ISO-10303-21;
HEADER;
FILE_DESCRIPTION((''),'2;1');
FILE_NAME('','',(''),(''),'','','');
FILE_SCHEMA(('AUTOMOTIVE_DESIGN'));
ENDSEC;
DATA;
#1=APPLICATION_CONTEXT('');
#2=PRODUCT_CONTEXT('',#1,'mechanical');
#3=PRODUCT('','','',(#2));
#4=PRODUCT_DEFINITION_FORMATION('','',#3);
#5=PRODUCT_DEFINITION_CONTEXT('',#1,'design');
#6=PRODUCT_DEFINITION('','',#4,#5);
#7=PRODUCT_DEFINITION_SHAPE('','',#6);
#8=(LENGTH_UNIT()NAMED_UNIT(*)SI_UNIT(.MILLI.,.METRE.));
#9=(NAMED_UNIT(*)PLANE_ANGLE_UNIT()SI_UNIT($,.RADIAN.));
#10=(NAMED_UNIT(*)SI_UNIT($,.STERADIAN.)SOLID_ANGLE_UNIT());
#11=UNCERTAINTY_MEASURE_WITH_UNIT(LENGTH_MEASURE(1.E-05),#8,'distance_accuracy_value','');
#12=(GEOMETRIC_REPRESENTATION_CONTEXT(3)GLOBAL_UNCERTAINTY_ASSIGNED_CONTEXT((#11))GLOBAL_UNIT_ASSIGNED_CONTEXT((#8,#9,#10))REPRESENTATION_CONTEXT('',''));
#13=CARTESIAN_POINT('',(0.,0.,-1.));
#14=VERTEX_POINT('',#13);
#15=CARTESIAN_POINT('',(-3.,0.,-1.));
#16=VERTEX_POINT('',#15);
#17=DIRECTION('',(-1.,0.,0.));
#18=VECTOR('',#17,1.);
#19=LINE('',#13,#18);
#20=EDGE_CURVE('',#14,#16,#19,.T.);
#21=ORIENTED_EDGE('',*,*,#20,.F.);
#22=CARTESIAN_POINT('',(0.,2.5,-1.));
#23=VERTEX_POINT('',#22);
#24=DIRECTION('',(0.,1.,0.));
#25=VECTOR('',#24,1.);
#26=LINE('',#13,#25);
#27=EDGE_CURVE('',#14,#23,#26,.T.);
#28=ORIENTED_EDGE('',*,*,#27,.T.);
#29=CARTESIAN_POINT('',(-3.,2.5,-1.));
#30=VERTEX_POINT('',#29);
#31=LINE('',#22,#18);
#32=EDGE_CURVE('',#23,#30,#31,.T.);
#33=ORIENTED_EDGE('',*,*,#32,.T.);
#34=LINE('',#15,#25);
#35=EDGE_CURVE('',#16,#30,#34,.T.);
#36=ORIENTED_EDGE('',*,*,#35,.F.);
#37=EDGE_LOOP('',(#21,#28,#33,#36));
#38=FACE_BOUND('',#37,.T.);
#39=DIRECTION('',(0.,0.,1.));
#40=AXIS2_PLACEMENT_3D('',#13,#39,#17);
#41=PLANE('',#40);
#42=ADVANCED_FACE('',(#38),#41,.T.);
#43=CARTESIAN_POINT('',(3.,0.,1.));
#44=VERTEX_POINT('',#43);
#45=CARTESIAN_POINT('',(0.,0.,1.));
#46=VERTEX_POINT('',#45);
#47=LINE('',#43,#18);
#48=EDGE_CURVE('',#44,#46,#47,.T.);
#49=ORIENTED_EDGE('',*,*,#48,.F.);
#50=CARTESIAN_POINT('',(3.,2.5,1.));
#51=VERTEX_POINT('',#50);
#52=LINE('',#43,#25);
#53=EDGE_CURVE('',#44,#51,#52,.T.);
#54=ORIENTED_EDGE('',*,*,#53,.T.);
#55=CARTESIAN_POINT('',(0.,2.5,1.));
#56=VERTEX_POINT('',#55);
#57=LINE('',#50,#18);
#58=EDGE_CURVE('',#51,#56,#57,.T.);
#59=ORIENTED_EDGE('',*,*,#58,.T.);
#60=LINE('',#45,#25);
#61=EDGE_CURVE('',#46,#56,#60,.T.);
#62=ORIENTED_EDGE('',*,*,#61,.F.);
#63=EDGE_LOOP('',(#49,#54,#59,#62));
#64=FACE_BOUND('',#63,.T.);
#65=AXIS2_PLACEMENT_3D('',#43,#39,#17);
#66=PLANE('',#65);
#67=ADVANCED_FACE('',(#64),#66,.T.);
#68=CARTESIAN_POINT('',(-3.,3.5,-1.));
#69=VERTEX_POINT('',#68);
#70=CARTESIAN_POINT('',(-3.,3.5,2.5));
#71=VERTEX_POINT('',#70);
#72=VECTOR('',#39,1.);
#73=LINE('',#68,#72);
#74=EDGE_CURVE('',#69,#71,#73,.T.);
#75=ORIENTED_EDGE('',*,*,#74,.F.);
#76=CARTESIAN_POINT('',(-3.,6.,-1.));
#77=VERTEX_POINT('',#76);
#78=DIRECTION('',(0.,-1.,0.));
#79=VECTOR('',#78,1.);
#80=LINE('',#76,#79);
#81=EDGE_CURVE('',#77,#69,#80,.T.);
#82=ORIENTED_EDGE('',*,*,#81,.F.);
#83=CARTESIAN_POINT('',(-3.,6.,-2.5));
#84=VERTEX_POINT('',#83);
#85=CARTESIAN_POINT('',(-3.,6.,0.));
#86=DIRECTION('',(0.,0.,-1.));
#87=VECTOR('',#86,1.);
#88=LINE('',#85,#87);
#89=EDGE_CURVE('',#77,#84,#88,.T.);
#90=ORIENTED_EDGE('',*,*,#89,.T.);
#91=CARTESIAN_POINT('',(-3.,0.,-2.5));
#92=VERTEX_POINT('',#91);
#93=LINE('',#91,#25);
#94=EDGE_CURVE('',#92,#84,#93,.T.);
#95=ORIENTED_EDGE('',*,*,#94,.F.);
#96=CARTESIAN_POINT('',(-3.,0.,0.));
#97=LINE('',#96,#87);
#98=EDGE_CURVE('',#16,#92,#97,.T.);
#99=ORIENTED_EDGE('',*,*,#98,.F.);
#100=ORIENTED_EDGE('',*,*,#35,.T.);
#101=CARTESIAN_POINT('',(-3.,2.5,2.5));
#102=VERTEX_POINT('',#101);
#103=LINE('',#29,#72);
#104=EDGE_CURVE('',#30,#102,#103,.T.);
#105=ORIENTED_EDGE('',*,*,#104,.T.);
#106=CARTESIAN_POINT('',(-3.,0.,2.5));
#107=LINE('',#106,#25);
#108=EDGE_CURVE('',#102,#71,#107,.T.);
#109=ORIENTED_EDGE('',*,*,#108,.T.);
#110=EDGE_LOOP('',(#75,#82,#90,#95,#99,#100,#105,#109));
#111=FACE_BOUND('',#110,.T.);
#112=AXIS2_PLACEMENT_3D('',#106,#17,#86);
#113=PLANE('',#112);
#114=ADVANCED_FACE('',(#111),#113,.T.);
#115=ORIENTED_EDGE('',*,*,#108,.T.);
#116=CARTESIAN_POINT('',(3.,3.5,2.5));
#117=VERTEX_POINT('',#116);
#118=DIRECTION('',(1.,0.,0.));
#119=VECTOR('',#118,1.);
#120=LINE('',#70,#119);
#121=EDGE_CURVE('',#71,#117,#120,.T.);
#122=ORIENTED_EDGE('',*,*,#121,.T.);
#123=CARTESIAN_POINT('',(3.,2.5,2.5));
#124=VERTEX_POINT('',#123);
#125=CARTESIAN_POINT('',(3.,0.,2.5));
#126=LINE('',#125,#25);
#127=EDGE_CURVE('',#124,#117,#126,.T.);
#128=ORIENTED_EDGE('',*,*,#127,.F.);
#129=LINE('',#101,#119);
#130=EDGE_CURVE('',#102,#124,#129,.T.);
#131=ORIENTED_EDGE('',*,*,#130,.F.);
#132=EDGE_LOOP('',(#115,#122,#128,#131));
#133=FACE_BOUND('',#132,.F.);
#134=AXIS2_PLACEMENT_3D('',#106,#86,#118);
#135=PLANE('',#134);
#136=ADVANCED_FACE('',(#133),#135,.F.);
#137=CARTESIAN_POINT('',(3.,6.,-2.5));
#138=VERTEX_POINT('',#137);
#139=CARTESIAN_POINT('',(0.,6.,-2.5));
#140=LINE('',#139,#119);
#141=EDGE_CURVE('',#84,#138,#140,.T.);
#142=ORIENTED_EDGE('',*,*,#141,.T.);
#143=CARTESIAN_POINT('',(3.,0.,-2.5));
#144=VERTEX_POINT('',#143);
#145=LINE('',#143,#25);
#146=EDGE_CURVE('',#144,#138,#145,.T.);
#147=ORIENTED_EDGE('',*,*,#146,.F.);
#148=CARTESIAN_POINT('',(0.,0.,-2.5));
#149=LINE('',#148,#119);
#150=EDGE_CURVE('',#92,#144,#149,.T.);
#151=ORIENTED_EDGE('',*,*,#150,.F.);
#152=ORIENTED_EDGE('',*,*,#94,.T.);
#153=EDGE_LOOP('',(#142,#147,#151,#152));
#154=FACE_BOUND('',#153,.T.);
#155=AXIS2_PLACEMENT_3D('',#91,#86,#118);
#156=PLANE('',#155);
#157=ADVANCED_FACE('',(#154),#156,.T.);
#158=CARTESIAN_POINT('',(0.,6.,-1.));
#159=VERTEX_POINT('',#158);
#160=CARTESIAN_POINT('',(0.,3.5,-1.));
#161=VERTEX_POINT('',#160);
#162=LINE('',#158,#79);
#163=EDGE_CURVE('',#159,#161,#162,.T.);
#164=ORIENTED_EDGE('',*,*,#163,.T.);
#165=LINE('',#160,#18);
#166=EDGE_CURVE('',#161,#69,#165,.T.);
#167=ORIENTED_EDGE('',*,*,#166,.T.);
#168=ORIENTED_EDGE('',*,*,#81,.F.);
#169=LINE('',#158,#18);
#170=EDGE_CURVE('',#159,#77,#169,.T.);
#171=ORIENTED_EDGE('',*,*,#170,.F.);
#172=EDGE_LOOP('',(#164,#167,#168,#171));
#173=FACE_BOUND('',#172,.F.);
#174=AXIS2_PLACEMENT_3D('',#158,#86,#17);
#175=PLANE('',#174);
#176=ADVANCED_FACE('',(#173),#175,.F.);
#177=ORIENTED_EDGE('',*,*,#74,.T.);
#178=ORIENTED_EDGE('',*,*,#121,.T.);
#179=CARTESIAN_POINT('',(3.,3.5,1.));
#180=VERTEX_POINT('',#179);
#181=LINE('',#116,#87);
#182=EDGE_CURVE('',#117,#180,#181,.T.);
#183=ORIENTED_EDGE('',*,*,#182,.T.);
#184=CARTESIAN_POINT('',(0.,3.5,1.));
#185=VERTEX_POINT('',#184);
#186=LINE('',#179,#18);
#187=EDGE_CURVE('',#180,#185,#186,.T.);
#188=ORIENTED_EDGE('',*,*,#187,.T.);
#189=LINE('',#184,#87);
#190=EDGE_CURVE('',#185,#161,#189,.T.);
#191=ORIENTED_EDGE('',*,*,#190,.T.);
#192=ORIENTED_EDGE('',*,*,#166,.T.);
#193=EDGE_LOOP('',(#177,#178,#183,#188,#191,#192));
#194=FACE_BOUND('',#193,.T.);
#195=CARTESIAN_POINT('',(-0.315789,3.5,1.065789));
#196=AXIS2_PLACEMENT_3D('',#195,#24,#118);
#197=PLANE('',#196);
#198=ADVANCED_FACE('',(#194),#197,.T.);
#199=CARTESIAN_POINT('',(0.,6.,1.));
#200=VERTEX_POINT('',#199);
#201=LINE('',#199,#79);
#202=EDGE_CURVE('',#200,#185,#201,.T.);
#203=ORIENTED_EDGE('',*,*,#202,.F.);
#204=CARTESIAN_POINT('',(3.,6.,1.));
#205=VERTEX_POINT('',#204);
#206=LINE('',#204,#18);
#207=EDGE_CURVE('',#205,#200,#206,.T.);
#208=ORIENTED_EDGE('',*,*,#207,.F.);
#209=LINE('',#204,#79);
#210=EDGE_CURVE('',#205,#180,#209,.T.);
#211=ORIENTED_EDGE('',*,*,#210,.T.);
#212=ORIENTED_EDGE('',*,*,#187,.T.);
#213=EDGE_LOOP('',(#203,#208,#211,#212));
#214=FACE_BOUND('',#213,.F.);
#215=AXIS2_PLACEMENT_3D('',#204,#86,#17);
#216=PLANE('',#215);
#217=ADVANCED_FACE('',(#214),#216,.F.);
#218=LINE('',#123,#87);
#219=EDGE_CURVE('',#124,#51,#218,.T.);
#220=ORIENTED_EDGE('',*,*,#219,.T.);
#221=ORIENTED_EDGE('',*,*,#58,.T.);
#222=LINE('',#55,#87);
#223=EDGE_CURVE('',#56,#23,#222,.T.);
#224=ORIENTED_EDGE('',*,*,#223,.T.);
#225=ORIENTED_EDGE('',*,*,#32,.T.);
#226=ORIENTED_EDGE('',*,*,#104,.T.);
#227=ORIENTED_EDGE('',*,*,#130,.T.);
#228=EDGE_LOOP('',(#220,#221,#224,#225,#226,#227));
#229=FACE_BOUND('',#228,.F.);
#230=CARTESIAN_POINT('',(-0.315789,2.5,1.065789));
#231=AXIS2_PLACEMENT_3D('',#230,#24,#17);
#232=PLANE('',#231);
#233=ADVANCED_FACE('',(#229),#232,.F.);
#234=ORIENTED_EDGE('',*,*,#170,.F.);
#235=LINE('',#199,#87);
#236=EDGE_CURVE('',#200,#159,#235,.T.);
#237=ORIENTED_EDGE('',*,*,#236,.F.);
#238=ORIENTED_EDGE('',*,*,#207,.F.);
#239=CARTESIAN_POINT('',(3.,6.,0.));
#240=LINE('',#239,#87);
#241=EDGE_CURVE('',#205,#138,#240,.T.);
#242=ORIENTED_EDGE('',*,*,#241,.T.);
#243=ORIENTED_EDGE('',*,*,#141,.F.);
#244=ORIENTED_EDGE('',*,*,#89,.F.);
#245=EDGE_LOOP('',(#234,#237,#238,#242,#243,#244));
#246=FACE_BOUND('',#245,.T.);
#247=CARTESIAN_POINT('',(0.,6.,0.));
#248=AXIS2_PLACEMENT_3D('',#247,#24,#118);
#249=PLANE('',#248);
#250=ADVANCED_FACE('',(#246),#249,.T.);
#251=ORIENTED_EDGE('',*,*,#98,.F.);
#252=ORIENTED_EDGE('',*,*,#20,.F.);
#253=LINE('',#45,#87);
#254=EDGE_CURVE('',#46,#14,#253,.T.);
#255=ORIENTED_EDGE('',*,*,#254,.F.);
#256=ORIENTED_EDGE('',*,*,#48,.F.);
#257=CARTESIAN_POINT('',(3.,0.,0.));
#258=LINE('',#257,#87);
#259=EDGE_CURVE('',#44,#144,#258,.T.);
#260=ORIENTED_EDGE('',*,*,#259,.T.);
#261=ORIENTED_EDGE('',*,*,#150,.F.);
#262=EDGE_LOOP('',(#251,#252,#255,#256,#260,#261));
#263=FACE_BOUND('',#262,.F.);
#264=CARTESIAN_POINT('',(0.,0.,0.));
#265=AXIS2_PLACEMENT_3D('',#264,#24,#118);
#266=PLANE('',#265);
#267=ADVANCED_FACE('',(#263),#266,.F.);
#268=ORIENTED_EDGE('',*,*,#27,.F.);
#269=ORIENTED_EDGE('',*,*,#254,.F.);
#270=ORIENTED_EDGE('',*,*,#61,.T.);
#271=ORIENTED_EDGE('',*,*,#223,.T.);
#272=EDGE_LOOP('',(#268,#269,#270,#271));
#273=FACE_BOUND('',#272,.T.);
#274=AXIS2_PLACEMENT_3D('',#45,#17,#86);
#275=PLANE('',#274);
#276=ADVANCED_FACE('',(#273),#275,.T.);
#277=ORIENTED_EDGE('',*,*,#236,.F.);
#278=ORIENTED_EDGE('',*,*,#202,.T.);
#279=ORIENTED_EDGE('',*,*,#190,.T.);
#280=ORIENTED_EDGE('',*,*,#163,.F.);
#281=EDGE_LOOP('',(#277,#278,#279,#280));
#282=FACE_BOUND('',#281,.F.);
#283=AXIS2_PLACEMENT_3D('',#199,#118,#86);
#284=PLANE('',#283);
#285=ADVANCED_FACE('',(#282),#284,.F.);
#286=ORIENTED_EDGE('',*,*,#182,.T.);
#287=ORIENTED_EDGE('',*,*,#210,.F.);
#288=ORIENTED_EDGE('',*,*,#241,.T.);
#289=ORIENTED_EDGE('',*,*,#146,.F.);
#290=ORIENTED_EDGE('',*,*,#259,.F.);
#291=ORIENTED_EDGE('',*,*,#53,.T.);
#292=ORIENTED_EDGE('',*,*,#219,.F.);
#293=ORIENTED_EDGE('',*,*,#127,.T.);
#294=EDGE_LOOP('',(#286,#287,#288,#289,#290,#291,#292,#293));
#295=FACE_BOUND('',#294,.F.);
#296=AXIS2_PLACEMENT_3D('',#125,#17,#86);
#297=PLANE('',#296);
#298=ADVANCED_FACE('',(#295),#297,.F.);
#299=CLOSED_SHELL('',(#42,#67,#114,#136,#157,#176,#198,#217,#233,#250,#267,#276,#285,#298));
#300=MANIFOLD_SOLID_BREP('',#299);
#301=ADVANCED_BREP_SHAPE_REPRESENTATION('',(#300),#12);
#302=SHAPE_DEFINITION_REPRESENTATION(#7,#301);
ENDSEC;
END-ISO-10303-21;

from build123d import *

# Parameters (mm, degrees)
SKETCH1_W           = 6
SKETCH1_H           = 5
BOSS_EXTRUDE1_DEPTH = 6
CUT_EXTRUDE1_DEPTH  = 2.5
CUT_EXTRUDE2_DEPTH  = 2.5


with BuildPart() as part:
    # Sketch1 → Boss-Extrude1 (new body)
    with BuildSketch(Plane(origin=(0, 0, 0), x_dir=(1, 0, 0), z_dir=(0, 1, 0))):
        Rectangle(SKETCH1_W, SKETCH1_H)
    extrude(amount=BOSS_EXTRUDE1_DEPTH)

    # Sketch2 → Cut-Extrude1 (cut)
    with BuildSketch(Plane(origin=(0, 6, 0), x_dir=(1, 0, 0), z_dir=(0, 1, 0))):
        Polygon((3, -1), (0, -1), (0, 1), (-3, 1), (-3, -2.5), (3, -2.5), align=None)
    extrude(amount=-CUT_EXTRUDE1_DEPTH, mode=Mode.SUBTRACT)

    # Sketch3 → Cut-Extrude2 (cut)
    with BuildSketch(Plane.XZ):
        Polygon((3, 1), (0, 1), (0, -1), (-3, -1), (-3, 2.5), (3, 2.5), align=None)
    extrude(amount=-CUT_EXTRUDE2_DEPTH, mode=Mode.SUBTRACT)


solid = part.part
